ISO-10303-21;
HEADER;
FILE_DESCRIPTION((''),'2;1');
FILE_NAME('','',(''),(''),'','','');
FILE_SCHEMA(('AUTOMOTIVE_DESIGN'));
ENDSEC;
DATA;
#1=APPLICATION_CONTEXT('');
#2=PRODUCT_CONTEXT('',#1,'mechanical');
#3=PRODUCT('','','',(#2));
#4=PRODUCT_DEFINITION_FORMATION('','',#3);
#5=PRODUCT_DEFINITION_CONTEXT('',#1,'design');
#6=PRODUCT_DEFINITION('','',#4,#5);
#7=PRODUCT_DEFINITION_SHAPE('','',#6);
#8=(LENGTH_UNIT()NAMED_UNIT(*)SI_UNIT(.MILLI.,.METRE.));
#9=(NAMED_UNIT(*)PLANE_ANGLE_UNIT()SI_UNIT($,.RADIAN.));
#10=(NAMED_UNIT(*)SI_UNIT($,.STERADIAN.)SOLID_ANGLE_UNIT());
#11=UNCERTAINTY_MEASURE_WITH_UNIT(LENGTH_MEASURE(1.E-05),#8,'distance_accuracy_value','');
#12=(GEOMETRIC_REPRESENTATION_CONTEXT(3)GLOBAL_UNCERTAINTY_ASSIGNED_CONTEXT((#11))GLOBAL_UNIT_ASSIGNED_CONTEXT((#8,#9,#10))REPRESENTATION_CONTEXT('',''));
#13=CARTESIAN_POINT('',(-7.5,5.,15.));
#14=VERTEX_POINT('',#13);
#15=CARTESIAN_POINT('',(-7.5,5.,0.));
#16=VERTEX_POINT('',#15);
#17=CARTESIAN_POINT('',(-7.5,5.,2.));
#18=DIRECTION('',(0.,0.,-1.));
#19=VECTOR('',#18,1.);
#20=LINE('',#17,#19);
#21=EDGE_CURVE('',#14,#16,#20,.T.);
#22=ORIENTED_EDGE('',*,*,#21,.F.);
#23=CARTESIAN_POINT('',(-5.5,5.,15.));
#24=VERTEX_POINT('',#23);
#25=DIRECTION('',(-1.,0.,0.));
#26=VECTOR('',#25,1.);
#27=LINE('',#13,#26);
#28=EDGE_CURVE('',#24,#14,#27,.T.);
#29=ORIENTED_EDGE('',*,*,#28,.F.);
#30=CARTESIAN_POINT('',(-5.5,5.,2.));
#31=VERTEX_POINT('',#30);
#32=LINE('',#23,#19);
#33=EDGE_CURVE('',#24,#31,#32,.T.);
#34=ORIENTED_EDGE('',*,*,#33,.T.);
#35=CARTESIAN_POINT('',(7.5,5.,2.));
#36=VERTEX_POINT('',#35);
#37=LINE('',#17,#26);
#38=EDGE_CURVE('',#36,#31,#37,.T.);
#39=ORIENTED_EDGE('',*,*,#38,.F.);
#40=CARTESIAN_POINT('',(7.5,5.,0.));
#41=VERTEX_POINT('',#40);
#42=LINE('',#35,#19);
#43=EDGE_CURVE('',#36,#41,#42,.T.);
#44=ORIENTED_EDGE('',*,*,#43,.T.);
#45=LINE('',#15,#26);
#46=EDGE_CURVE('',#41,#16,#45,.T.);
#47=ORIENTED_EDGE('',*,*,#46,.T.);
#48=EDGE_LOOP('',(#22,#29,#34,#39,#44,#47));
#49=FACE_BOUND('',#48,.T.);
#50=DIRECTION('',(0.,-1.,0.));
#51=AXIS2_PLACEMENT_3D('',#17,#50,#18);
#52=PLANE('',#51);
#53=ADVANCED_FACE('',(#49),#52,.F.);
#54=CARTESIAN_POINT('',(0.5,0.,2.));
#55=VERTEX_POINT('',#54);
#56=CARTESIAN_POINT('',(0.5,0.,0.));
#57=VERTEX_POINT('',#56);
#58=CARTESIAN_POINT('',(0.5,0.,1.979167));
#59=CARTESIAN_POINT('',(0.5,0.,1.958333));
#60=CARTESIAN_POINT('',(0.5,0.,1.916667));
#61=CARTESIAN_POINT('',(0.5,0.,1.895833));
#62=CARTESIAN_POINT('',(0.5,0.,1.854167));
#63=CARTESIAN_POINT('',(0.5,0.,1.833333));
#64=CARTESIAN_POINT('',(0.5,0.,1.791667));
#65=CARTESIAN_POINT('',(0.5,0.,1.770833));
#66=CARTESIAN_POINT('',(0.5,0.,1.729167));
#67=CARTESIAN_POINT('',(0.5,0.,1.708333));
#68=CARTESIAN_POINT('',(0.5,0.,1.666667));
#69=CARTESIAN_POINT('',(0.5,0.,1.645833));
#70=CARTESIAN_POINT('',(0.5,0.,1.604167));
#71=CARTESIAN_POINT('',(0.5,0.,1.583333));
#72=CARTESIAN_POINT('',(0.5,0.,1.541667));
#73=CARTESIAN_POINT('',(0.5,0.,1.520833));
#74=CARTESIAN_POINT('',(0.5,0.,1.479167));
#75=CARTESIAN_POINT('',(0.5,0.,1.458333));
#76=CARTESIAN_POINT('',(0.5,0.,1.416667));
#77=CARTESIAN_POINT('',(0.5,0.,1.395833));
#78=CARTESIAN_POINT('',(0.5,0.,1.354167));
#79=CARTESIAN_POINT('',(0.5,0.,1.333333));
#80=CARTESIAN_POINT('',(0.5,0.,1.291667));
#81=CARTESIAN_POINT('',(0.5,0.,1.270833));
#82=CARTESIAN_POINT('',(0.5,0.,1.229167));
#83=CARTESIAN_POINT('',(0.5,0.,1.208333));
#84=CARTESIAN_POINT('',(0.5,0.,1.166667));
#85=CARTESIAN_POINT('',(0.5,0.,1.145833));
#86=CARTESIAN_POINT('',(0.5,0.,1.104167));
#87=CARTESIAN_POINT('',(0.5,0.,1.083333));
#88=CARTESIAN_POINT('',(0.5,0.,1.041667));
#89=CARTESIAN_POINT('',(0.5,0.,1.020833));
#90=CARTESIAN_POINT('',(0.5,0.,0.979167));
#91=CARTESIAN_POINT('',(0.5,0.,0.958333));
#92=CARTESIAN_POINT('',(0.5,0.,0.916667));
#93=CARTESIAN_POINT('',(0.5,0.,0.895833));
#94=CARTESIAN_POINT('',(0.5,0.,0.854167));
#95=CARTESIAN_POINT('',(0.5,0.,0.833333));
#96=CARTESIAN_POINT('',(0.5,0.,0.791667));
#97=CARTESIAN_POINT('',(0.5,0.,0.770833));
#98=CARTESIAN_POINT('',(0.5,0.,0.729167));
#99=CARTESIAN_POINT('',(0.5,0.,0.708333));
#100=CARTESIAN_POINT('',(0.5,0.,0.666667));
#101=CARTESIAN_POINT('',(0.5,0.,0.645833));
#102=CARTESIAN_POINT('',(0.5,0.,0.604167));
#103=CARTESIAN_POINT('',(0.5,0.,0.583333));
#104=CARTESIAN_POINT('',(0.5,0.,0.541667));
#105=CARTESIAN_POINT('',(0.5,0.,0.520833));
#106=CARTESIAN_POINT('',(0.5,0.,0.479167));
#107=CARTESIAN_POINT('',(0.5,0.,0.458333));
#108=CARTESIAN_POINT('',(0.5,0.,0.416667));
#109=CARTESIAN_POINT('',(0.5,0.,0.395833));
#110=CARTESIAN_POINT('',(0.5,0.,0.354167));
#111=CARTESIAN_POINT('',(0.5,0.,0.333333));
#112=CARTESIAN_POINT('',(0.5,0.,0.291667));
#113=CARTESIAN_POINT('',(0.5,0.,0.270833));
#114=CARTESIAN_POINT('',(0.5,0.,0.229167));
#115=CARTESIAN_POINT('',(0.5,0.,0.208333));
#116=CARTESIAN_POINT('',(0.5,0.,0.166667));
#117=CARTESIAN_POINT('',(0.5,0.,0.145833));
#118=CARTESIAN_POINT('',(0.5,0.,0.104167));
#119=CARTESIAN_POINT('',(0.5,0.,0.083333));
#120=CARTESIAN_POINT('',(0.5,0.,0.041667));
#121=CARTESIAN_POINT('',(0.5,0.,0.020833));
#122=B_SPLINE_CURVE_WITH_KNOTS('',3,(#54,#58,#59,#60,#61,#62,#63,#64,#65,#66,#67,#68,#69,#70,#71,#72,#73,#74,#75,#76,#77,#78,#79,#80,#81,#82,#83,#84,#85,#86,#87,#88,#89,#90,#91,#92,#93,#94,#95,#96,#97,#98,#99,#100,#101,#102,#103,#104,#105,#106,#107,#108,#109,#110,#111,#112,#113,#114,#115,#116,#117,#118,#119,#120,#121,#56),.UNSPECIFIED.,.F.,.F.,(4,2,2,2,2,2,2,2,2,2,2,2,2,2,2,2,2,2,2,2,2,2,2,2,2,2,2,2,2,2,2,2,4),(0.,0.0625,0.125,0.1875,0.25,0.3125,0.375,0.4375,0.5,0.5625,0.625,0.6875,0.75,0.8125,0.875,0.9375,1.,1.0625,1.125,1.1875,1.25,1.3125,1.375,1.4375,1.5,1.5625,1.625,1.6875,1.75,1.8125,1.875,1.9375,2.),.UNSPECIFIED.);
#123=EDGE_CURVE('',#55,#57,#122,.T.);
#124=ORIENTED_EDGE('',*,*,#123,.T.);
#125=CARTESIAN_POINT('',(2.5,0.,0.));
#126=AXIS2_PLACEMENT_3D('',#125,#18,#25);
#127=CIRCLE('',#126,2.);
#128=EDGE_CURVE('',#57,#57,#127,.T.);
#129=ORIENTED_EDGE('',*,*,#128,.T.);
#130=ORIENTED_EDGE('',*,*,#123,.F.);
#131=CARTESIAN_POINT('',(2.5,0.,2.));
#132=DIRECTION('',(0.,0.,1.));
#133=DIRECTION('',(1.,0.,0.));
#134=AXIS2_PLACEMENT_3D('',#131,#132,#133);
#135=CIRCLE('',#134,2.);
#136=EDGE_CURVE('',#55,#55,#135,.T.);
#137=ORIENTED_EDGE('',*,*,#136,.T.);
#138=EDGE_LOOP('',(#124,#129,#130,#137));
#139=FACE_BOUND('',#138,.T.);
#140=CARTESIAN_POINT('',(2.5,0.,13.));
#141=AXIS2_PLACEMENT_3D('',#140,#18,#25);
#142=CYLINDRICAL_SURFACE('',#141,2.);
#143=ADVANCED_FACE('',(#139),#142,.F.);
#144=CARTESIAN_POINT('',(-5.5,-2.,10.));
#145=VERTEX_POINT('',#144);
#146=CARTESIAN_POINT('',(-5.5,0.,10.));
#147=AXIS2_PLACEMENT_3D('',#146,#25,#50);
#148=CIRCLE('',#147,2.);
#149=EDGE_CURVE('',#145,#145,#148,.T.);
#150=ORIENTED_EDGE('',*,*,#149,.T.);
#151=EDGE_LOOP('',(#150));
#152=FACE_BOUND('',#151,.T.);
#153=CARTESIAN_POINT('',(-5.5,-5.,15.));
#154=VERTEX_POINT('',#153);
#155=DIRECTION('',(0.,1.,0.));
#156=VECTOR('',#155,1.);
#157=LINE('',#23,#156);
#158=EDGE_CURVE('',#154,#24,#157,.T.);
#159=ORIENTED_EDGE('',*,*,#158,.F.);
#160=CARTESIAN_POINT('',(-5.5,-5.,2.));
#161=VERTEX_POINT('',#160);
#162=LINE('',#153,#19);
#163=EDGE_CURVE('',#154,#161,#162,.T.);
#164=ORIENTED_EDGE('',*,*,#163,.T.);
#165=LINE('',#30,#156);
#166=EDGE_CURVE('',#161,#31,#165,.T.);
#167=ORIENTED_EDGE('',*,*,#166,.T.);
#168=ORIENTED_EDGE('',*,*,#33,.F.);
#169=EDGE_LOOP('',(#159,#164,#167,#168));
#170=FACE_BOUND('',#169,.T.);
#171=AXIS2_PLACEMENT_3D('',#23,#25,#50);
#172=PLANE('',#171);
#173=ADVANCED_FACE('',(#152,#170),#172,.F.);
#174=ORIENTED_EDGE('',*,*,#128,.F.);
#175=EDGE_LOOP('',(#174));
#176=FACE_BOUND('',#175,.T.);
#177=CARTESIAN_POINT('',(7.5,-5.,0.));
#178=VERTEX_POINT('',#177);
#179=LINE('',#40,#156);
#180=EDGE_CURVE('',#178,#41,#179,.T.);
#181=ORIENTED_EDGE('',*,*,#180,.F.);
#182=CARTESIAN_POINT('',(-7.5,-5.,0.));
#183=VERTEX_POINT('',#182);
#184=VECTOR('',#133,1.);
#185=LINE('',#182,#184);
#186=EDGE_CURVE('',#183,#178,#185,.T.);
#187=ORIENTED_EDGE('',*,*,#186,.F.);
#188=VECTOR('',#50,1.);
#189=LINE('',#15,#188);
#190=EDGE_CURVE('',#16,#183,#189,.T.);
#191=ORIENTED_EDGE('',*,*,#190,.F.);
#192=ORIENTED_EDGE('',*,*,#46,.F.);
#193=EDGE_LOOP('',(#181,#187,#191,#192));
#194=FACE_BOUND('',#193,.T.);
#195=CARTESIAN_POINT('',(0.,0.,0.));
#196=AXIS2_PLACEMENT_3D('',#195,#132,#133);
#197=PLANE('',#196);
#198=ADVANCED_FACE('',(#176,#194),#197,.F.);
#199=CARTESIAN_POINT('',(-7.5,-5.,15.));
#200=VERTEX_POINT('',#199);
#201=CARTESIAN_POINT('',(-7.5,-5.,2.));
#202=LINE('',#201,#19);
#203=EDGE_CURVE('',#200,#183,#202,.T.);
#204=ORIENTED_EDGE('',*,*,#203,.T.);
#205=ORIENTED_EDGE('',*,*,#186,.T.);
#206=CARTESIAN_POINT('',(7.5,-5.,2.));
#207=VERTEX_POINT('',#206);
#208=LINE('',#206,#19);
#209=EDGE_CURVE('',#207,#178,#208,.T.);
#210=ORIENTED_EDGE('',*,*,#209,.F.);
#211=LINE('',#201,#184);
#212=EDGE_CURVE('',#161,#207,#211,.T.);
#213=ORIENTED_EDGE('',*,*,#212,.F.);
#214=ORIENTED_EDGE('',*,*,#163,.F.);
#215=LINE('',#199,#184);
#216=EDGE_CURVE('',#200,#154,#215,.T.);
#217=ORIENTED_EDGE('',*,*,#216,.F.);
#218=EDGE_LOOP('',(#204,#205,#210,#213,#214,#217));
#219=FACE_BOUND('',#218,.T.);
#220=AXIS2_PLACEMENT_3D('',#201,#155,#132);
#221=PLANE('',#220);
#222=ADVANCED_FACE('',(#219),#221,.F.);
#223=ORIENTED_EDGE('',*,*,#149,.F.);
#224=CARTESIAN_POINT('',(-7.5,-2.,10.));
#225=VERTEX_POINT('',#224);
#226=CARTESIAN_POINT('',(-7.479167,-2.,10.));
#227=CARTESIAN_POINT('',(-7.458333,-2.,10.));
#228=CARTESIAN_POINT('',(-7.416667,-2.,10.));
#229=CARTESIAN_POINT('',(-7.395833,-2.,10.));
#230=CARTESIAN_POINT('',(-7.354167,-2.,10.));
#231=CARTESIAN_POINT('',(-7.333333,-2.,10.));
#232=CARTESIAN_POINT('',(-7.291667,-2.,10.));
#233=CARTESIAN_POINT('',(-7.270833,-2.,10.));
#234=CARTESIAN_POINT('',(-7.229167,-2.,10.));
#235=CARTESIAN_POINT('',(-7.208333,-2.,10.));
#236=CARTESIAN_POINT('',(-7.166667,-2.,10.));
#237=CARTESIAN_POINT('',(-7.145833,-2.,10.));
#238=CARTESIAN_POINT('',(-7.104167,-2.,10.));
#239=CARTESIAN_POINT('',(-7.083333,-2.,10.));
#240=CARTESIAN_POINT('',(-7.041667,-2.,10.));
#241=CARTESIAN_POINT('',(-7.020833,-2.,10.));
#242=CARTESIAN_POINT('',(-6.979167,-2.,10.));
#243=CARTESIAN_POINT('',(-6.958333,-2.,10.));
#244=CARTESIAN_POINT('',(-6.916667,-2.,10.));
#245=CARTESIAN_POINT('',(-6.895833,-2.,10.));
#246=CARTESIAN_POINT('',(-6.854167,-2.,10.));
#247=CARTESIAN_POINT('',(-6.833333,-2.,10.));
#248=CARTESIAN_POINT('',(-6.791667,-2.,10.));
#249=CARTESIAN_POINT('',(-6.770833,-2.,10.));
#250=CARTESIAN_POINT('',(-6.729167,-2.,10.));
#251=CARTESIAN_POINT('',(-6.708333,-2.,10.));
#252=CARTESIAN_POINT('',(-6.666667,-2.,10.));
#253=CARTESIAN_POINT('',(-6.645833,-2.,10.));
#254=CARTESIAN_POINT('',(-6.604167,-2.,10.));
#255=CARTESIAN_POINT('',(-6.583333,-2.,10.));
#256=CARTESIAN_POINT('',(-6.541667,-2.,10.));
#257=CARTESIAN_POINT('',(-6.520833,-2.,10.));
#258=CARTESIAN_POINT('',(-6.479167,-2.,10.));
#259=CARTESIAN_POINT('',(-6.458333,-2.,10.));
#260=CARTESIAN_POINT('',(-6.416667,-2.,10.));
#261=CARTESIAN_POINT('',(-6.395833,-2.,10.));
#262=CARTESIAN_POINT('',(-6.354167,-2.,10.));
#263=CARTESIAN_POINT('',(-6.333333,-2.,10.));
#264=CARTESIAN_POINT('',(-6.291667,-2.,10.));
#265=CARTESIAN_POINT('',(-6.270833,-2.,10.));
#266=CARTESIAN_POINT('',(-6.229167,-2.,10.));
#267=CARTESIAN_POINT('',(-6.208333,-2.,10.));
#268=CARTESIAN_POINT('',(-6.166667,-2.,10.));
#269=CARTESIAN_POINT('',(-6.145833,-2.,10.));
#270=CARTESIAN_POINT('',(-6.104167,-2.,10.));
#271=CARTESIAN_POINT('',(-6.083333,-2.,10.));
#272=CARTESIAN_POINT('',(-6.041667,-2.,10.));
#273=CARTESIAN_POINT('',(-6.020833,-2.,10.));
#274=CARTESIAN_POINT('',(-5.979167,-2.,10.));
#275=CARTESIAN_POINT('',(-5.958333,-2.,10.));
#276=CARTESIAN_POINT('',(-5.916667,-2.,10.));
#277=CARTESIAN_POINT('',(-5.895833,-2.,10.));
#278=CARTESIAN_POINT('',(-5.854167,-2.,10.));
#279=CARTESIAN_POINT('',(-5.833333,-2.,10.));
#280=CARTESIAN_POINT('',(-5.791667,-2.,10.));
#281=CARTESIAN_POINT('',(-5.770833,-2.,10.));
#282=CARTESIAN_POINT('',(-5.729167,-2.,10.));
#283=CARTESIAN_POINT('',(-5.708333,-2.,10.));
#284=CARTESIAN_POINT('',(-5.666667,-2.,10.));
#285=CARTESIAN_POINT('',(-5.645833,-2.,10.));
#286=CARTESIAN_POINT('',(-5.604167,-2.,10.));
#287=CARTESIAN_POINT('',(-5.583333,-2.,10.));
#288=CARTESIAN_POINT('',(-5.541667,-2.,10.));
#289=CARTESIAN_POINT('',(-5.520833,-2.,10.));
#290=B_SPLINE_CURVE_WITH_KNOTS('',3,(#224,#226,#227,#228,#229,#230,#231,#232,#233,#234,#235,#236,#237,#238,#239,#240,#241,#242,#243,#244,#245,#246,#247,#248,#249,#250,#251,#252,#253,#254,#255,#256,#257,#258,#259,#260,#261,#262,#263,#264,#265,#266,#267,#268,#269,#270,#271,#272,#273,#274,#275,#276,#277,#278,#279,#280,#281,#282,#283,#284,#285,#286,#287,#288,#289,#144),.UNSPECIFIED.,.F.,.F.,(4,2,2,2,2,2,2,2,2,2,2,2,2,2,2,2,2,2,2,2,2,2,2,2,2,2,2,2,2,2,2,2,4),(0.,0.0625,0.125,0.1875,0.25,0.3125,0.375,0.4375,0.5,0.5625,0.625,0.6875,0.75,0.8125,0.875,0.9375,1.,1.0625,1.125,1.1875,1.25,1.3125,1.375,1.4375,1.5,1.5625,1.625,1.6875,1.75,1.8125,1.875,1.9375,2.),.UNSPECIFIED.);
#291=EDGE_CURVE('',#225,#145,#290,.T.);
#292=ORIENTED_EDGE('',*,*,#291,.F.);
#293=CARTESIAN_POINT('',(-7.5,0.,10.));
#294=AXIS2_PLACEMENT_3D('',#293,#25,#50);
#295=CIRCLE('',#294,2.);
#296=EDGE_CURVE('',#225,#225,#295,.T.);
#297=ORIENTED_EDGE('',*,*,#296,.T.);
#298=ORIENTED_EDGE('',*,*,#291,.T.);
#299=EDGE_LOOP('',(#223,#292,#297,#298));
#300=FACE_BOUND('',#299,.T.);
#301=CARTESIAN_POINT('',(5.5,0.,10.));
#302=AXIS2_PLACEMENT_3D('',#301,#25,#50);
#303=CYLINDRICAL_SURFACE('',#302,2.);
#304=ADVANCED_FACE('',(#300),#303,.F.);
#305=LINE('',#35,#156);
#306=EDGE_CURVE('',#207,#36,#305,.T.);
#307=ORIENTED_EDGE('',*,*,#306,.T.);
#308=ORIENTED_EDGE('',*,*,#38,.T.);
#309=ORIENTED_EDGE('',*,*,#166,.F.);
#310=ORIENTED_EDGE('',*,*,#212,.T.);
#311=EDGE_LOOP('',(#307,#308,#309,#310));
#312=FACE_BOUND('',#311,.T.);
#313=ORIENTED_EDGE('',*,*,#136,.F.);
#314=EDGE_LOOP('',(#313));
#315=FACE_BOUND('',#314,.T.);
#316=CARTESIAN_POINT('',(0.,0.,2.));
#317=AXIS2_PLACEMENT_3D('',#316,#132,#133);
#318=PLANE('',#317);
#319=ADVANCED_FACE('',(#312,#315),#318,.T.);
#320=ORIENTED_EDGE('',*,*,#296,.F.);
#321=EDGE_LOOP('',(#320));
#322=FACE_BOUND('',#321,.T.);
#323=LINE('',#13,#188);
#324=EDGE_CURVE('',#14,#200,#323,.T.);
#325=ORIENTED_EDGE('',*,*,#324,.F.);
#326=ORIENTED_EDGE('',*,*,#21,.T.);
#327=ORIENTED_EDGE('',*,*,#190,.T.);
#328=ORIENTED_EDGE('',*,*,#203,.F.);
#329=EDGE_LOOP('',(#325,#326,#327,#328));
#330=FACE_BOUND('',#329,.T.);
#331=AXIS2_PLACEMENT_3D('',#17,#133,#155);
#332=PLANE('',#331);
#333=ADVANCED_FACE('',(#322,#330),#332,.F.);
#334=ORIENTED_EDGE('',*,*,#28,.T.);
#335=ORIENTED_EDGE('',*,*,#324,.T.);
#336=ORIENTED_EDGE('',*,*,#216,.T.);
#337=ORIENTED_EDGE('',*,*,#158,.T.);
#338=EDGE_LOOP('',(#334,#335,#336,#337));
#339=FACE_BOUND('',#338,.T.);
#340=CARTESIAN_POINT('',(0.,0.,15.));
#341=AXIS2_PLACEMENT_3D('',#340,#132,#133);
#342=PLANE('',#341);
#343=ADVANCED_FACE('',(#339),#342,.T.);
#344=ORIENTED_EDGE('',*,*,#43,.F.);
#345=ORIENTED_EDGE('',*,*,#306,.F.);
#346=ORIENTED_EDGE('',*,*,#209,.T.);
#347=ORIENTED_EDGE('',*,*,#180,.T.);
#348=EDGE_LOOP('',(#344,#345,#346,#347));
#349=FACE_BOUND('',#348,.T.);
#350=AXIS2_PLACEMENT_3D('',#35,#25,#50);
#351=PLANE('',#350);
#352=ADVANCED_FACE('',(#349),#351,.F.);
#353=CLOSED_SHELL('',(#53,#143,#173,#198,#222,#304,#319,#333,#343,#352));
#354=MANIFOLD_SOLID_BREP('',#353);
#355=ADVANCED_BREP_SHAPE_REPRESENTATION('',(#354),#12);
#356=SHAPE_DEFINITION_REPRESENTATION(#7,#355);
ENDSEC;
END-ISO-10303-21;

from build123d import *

# Parameters (mm, degrees)
SKETCH1_W           = 15
SKETCH1_H           = 10
BOSS_EXTRUDE1_DEPTH = 2
SKETCH2_W           = 2
SKETCH2_H           = 10
BOSS_EXTRUDE2_DEPTH = 13
SKETCH3_R           = 2
CUT_EXTRUDE1_DEPTH  = 13
SKETCH4_R           = 2
CUT_EXTRUDE2_DEPTH  = 13


with BuildPart() as part:
    # Sketch1 → Boss-Extrude1 (new body)
    with BuildSketch(Plane.XY):
        Rectangle(SKETCH1_W, SKETCH1_H)
    extrude(amount=BOSS_EXTRUDE1_DEPTH)

    # Sketch2 → Boss-Extrude2 (add)
    with BuildSketch(Plane.XY.offset(2)):
        with Locations((-6.5, 0)):
            Rectangle(SKETCH2_W, SKETCH2_H)
    extrude(amount=BOSS_EXTRUDE2_DEPTH)

    # Sketch3 → Cut-Extrude1 (cut)
    with BuildSketch(Plane(origin=(0, 0, 0), x_dir=(-1, 0, 0), z_dir=(0, 0, -1))):
        with Locations((-2.5, 0)):
            Circle(SKETCH3_R)
    extrude(amount=-CUT_EXTRUDE1_DEPTH, mode=Mode.SUBTRACT)

    # Sketch4 → Cut-Extrude2 (cut)
    with BuildSketch(Plane.ZY.offset(7.5)):
        with Locations(Location((10, 0, 0), (0, 0, 270))):
            Circle(SKETCH4_R)
    extrude(amount=-CUT_EXTRUDE2_DEPTH, mode=Mode.SUBTRACT)


solid = part.part
